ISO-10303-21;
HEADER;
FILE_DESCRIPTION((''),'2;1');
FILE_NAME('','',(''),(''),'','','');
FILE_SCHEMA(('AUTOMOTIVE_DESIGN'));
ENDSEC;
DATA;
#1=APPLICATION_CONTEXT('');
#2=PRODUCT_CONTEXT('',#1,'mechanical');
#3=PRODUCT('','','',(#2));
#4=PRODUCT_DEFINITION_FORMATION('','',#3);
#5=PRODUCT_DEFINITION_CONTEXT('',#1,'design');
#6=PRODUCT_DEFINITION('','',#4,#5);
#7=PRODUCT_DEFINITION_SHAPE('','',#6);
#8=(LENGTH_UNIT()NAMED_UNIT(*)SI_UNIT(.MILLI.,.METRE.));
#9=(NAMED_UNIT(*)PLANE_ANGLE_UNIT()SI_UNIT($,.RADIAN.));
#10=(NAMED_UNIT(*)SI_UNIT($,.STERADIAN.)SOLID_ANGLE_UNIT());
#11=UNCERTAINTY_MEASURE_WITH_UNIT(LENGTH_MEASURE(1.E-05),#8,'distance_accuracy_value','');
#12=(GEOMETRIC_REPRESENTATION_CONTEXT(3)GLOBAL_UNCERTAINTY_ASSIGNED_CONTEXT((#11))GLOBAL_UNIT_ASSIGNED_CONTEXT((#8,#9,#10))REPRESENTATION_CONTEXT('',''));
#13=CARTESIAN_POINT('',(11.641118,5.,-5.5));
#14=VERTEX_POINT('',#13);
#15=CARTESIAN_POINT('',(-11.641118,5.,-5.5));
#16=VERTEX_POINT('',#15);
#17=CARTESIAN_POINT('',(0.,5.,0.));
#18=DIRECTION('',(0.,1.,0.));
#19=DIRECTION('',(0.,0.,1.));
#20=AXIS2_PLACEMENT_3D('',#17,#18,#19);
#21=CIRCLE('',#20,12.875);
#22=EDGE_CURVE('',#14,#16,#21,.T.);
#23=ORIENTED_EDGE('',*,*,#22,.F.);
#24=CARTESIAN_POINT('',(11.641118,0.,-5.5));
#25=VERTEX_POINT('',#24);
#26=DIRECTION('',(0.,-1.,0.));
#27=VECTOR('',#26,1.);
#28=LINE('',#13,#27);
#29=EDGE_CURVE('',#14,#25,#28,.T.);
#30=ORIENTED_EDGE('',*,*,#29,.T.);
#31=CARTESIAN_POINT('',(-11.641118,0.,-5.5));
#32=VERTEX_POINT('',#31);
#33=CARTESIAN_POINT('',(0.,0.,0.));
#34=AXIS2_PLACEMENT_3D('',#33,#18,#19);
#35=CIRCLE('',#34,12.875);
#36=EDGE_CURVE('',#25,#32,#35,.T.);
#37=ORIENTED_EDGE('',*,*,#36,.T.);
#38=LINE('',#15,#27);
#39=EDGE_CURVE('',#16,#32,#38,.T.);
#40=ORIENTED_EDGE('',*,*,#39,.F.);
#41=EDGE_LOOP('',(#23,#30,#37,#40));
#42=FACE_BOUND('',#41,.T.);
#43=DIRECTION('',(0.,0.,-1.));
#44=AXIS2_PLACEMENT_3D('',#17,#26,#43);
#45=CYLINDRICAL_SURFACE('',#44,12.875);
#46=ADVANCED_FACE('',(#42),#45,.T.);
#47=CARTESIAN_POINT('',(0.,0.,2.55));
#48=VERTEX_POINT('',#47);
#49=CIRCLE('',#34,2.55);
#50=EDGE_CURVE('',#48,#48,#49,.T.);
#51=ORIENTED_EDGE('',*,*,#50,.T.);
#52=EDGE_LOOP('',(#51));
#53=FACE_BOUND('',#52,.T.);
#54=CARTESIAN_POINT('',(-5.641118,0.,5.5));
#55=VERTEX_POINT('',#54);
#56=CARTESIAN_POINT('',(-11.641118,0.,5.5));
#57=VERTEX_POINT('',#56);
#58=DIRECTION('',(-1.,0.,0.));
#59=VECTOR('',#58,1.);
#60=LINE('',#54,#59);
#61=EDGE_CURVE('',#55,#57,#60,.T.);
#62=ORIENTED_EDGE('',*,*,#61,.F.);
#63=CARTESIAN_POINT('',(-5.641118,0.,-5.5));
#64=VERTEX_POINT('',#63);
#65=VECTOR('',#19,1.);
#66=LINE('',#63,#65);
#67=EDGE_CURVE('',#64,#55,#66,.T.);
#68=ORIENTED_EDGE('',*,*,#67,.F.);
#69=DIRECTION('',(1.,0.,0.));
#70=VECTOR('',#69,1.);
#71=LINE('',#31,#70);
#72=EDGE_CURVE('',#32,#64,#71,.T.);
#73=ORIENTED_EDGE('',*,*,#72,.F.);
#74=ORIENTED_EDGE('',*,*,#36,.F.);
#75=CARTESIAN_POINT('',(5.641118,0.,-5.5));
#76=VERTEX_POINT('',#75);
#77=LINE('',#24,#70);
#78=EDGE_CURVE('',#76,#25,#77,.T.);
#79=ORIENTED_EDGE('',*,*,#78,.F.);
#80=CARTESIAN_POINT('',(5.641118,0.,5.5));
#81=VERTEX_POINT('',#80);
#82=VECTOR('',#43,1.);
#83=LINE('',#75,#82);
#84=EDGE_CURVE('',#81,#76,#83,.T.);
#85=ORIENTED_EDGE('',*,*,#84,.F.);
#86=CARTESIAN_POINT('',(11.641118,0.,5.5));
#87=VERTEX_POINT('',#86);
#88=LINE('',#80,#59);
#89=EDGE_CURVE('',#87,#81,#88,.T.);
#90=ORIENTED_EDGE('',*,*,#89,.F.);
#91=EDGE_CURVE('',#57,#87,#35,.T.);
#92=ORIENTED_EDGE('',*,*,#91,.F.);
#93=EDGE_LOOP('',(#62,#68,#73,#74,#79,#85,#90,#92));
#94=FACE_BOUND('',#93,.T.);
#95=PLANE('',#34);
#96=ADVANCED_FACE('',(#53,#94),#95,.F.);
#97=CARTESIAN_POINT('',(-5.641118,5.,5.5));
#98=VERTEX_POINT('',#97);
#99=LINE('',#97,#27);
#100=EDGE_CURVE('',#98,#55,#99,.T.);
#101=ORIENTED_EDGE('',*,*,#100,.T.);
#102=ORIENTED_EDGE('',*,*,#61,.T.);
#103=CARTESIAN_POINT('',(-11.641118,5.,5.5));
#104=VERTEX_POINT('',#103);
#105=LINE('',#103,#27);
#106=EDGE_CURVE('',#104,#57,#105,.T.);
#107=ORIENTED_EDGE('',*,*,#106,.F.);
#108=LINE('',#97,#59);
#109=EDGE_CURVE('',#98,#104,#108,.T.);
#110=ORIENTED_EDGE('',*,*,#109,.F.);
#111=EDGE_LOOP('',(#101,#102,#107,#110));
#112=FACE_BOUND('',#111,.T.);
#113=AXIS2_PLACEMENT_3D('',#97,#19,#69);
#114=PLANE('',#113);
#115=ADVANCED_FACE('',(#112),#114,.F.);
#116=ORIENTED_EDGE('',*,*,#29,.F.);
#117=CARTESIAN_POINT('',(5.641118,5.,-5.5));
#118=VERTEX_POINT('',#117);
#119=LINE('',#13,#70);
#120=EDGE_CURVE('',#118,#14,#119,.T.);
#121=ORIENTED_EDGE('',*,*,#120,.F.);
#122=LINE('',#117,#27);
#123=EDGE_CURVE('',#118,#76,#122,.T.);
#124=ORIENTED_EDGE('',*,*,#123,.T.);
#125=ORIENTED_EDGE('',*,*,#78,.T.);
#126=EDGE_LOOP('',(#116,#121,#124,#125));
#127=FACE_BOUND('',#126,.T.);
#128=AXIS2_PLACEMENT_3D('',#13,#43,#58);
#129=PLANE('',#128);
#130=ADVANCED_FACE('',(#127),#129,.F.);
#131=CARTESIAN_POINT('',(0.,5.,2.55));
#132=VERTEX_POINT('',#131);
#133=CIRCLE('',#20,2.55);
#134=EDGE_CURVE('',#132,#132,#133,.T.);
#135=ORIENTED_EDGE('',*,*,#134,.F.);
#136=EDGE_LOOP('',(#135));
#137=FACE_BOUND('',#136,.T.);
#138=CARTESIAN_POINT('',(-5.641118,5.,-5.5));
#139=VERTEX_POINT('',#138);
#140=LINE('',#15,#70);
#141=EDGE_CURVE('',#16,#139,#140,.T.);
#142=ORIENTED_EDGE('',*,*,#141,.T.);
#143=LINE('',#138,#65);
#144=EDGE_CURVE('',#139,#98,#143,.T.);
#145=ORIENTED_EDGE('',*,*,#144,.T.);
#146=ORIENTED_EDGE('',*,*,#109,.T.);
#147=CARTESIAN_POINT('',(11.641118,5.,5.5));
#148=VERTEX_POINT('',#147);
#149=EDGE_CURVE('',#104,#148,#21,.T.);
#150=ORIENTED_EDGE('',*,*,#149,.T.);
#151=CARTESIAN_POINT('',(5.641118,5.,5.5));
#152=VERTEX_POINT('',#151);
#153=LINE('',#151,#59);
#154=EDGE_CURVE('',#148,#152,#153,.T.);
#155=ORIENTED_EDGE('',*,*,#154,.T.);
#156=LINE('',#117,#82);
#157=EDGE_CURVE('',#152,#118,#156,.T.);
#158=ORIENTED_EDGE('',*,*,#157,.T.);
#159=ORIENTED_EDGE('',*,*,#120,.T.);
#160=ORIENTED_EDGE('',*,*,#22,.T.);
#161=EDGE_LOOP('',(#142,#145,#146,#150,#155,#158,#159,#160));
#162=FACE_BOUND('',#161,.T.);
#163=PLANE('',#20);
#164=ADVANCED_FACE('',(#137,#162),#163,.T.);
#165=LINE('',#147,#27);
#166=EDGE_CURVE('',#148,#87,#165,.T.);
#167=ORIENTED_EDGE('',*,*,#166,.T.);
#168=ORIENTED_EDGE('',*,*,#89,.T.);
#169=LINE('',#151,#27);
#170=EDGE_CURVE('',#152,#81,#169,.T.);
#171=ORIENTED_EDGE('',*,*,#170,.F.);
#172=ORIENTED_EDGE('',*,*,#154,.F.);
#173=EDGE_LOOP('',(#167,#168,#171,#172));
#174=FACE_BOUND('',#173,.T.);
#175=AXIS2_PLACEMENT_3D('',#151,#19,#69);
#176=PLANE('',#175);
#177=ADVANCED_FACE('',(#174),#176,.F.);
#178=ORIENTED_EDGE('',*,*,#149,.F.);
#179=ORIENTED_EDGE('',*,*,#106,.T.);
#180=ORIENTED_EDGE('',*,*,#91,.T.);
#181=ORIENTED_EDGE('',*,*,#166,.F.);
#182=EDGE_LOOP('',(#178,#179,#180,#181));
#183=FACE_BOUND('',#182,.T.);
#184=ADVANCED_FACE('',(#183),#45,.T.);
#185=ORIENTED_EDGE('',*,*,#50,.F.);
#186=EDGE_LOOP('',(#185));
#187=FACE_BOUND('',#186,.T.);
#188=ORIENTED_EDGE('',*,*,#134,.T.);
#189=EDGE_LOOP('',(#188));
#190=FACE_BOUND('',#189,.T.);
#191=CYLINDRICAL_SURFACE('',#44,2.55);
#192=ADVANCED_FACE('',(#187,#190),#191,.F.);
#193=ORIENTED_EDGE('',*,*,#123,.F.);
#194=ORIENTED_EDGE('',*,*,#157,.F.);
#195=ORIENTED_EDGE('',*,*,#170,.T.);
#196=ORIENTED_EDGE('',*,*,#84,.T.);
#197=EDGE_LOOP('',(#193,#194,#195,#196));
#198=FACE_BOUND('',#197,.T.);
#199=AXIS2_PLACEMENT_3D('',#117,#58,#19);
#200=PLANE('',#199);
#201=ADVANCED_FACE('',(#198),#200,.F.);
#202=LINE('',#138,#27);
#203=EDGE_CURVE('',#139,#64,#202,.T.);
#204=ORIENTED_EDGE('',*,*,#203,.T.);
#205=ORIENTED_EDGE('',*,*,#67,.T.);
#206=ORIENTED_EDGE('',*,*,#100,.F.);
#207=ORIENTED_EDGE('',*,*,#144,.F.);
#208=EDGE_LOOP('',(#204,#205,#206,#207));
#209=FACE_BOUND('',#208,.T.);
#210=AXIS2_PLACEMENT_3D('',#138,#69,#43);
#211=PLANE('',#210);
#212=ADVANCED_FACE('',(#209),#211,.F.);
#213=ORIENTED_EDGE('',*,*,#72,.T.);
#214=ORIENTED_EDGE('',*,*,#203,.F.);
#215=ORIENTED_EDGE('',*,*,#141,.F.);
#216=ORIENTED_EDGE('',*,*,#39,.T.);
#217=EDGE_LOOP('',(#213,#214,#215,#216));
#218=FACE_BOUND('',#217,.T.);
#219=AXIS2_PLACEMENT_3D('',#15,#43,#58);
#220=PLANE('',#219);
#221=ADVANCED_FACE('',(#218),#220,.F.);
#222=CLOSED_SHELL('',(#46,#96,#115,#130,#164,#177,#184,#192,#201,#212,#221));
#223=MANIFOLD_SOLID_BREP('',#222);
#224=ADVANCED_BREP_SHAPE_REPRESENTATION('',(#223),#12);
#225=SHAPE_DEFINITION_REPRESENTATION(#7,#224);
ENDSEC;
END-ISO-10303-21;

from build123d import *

# Parameters (mm, degrees)
SKETCH1_R           = 2.55
BOSS_EXTRUDE1_DEPTH = 5


with BuildPart() as part:
    # Sketch1 → Boss-Extrude1 (new body)
    with BuildSketch(Plane(origin=(0, 0, 0), x_dir=(1, 0, 0), z_dir=(0, 1, 0))):
        with BuildLine():
            Line((-11.641117859, 5.5), (-5.641117859, 5.5))
            Line((-5.641117859, 5.5), (-5.641117859, -5.5))
            Line((-5.641117859, -5.5), (-11.641117859, -5.5))
            ThreePointArc((-11.641117859, -5.5), (0, -12.875), (11.641117859, -5.5))
            Line((11.641117859, -5.5), (5.641117859, -5.5))
            Line((5.641117859, -5.5), (5.641117859, 5.5))
            Line((5.641117859, 5.5), (11.641117859, 5.5))
            ThreePointArc((11.641117859, 5.5), (0, 12.875), (-11.641117859, 5.5))
        make_face()
        with Locations(Location((0, 0, 0), (0, 0, 270))):
            Circle(SKETCH1_R, mode=Mode.SUBTRACT)
    extrude(amount=BOSS_EXTRUDE1_DEPTH)


solid = part.part
